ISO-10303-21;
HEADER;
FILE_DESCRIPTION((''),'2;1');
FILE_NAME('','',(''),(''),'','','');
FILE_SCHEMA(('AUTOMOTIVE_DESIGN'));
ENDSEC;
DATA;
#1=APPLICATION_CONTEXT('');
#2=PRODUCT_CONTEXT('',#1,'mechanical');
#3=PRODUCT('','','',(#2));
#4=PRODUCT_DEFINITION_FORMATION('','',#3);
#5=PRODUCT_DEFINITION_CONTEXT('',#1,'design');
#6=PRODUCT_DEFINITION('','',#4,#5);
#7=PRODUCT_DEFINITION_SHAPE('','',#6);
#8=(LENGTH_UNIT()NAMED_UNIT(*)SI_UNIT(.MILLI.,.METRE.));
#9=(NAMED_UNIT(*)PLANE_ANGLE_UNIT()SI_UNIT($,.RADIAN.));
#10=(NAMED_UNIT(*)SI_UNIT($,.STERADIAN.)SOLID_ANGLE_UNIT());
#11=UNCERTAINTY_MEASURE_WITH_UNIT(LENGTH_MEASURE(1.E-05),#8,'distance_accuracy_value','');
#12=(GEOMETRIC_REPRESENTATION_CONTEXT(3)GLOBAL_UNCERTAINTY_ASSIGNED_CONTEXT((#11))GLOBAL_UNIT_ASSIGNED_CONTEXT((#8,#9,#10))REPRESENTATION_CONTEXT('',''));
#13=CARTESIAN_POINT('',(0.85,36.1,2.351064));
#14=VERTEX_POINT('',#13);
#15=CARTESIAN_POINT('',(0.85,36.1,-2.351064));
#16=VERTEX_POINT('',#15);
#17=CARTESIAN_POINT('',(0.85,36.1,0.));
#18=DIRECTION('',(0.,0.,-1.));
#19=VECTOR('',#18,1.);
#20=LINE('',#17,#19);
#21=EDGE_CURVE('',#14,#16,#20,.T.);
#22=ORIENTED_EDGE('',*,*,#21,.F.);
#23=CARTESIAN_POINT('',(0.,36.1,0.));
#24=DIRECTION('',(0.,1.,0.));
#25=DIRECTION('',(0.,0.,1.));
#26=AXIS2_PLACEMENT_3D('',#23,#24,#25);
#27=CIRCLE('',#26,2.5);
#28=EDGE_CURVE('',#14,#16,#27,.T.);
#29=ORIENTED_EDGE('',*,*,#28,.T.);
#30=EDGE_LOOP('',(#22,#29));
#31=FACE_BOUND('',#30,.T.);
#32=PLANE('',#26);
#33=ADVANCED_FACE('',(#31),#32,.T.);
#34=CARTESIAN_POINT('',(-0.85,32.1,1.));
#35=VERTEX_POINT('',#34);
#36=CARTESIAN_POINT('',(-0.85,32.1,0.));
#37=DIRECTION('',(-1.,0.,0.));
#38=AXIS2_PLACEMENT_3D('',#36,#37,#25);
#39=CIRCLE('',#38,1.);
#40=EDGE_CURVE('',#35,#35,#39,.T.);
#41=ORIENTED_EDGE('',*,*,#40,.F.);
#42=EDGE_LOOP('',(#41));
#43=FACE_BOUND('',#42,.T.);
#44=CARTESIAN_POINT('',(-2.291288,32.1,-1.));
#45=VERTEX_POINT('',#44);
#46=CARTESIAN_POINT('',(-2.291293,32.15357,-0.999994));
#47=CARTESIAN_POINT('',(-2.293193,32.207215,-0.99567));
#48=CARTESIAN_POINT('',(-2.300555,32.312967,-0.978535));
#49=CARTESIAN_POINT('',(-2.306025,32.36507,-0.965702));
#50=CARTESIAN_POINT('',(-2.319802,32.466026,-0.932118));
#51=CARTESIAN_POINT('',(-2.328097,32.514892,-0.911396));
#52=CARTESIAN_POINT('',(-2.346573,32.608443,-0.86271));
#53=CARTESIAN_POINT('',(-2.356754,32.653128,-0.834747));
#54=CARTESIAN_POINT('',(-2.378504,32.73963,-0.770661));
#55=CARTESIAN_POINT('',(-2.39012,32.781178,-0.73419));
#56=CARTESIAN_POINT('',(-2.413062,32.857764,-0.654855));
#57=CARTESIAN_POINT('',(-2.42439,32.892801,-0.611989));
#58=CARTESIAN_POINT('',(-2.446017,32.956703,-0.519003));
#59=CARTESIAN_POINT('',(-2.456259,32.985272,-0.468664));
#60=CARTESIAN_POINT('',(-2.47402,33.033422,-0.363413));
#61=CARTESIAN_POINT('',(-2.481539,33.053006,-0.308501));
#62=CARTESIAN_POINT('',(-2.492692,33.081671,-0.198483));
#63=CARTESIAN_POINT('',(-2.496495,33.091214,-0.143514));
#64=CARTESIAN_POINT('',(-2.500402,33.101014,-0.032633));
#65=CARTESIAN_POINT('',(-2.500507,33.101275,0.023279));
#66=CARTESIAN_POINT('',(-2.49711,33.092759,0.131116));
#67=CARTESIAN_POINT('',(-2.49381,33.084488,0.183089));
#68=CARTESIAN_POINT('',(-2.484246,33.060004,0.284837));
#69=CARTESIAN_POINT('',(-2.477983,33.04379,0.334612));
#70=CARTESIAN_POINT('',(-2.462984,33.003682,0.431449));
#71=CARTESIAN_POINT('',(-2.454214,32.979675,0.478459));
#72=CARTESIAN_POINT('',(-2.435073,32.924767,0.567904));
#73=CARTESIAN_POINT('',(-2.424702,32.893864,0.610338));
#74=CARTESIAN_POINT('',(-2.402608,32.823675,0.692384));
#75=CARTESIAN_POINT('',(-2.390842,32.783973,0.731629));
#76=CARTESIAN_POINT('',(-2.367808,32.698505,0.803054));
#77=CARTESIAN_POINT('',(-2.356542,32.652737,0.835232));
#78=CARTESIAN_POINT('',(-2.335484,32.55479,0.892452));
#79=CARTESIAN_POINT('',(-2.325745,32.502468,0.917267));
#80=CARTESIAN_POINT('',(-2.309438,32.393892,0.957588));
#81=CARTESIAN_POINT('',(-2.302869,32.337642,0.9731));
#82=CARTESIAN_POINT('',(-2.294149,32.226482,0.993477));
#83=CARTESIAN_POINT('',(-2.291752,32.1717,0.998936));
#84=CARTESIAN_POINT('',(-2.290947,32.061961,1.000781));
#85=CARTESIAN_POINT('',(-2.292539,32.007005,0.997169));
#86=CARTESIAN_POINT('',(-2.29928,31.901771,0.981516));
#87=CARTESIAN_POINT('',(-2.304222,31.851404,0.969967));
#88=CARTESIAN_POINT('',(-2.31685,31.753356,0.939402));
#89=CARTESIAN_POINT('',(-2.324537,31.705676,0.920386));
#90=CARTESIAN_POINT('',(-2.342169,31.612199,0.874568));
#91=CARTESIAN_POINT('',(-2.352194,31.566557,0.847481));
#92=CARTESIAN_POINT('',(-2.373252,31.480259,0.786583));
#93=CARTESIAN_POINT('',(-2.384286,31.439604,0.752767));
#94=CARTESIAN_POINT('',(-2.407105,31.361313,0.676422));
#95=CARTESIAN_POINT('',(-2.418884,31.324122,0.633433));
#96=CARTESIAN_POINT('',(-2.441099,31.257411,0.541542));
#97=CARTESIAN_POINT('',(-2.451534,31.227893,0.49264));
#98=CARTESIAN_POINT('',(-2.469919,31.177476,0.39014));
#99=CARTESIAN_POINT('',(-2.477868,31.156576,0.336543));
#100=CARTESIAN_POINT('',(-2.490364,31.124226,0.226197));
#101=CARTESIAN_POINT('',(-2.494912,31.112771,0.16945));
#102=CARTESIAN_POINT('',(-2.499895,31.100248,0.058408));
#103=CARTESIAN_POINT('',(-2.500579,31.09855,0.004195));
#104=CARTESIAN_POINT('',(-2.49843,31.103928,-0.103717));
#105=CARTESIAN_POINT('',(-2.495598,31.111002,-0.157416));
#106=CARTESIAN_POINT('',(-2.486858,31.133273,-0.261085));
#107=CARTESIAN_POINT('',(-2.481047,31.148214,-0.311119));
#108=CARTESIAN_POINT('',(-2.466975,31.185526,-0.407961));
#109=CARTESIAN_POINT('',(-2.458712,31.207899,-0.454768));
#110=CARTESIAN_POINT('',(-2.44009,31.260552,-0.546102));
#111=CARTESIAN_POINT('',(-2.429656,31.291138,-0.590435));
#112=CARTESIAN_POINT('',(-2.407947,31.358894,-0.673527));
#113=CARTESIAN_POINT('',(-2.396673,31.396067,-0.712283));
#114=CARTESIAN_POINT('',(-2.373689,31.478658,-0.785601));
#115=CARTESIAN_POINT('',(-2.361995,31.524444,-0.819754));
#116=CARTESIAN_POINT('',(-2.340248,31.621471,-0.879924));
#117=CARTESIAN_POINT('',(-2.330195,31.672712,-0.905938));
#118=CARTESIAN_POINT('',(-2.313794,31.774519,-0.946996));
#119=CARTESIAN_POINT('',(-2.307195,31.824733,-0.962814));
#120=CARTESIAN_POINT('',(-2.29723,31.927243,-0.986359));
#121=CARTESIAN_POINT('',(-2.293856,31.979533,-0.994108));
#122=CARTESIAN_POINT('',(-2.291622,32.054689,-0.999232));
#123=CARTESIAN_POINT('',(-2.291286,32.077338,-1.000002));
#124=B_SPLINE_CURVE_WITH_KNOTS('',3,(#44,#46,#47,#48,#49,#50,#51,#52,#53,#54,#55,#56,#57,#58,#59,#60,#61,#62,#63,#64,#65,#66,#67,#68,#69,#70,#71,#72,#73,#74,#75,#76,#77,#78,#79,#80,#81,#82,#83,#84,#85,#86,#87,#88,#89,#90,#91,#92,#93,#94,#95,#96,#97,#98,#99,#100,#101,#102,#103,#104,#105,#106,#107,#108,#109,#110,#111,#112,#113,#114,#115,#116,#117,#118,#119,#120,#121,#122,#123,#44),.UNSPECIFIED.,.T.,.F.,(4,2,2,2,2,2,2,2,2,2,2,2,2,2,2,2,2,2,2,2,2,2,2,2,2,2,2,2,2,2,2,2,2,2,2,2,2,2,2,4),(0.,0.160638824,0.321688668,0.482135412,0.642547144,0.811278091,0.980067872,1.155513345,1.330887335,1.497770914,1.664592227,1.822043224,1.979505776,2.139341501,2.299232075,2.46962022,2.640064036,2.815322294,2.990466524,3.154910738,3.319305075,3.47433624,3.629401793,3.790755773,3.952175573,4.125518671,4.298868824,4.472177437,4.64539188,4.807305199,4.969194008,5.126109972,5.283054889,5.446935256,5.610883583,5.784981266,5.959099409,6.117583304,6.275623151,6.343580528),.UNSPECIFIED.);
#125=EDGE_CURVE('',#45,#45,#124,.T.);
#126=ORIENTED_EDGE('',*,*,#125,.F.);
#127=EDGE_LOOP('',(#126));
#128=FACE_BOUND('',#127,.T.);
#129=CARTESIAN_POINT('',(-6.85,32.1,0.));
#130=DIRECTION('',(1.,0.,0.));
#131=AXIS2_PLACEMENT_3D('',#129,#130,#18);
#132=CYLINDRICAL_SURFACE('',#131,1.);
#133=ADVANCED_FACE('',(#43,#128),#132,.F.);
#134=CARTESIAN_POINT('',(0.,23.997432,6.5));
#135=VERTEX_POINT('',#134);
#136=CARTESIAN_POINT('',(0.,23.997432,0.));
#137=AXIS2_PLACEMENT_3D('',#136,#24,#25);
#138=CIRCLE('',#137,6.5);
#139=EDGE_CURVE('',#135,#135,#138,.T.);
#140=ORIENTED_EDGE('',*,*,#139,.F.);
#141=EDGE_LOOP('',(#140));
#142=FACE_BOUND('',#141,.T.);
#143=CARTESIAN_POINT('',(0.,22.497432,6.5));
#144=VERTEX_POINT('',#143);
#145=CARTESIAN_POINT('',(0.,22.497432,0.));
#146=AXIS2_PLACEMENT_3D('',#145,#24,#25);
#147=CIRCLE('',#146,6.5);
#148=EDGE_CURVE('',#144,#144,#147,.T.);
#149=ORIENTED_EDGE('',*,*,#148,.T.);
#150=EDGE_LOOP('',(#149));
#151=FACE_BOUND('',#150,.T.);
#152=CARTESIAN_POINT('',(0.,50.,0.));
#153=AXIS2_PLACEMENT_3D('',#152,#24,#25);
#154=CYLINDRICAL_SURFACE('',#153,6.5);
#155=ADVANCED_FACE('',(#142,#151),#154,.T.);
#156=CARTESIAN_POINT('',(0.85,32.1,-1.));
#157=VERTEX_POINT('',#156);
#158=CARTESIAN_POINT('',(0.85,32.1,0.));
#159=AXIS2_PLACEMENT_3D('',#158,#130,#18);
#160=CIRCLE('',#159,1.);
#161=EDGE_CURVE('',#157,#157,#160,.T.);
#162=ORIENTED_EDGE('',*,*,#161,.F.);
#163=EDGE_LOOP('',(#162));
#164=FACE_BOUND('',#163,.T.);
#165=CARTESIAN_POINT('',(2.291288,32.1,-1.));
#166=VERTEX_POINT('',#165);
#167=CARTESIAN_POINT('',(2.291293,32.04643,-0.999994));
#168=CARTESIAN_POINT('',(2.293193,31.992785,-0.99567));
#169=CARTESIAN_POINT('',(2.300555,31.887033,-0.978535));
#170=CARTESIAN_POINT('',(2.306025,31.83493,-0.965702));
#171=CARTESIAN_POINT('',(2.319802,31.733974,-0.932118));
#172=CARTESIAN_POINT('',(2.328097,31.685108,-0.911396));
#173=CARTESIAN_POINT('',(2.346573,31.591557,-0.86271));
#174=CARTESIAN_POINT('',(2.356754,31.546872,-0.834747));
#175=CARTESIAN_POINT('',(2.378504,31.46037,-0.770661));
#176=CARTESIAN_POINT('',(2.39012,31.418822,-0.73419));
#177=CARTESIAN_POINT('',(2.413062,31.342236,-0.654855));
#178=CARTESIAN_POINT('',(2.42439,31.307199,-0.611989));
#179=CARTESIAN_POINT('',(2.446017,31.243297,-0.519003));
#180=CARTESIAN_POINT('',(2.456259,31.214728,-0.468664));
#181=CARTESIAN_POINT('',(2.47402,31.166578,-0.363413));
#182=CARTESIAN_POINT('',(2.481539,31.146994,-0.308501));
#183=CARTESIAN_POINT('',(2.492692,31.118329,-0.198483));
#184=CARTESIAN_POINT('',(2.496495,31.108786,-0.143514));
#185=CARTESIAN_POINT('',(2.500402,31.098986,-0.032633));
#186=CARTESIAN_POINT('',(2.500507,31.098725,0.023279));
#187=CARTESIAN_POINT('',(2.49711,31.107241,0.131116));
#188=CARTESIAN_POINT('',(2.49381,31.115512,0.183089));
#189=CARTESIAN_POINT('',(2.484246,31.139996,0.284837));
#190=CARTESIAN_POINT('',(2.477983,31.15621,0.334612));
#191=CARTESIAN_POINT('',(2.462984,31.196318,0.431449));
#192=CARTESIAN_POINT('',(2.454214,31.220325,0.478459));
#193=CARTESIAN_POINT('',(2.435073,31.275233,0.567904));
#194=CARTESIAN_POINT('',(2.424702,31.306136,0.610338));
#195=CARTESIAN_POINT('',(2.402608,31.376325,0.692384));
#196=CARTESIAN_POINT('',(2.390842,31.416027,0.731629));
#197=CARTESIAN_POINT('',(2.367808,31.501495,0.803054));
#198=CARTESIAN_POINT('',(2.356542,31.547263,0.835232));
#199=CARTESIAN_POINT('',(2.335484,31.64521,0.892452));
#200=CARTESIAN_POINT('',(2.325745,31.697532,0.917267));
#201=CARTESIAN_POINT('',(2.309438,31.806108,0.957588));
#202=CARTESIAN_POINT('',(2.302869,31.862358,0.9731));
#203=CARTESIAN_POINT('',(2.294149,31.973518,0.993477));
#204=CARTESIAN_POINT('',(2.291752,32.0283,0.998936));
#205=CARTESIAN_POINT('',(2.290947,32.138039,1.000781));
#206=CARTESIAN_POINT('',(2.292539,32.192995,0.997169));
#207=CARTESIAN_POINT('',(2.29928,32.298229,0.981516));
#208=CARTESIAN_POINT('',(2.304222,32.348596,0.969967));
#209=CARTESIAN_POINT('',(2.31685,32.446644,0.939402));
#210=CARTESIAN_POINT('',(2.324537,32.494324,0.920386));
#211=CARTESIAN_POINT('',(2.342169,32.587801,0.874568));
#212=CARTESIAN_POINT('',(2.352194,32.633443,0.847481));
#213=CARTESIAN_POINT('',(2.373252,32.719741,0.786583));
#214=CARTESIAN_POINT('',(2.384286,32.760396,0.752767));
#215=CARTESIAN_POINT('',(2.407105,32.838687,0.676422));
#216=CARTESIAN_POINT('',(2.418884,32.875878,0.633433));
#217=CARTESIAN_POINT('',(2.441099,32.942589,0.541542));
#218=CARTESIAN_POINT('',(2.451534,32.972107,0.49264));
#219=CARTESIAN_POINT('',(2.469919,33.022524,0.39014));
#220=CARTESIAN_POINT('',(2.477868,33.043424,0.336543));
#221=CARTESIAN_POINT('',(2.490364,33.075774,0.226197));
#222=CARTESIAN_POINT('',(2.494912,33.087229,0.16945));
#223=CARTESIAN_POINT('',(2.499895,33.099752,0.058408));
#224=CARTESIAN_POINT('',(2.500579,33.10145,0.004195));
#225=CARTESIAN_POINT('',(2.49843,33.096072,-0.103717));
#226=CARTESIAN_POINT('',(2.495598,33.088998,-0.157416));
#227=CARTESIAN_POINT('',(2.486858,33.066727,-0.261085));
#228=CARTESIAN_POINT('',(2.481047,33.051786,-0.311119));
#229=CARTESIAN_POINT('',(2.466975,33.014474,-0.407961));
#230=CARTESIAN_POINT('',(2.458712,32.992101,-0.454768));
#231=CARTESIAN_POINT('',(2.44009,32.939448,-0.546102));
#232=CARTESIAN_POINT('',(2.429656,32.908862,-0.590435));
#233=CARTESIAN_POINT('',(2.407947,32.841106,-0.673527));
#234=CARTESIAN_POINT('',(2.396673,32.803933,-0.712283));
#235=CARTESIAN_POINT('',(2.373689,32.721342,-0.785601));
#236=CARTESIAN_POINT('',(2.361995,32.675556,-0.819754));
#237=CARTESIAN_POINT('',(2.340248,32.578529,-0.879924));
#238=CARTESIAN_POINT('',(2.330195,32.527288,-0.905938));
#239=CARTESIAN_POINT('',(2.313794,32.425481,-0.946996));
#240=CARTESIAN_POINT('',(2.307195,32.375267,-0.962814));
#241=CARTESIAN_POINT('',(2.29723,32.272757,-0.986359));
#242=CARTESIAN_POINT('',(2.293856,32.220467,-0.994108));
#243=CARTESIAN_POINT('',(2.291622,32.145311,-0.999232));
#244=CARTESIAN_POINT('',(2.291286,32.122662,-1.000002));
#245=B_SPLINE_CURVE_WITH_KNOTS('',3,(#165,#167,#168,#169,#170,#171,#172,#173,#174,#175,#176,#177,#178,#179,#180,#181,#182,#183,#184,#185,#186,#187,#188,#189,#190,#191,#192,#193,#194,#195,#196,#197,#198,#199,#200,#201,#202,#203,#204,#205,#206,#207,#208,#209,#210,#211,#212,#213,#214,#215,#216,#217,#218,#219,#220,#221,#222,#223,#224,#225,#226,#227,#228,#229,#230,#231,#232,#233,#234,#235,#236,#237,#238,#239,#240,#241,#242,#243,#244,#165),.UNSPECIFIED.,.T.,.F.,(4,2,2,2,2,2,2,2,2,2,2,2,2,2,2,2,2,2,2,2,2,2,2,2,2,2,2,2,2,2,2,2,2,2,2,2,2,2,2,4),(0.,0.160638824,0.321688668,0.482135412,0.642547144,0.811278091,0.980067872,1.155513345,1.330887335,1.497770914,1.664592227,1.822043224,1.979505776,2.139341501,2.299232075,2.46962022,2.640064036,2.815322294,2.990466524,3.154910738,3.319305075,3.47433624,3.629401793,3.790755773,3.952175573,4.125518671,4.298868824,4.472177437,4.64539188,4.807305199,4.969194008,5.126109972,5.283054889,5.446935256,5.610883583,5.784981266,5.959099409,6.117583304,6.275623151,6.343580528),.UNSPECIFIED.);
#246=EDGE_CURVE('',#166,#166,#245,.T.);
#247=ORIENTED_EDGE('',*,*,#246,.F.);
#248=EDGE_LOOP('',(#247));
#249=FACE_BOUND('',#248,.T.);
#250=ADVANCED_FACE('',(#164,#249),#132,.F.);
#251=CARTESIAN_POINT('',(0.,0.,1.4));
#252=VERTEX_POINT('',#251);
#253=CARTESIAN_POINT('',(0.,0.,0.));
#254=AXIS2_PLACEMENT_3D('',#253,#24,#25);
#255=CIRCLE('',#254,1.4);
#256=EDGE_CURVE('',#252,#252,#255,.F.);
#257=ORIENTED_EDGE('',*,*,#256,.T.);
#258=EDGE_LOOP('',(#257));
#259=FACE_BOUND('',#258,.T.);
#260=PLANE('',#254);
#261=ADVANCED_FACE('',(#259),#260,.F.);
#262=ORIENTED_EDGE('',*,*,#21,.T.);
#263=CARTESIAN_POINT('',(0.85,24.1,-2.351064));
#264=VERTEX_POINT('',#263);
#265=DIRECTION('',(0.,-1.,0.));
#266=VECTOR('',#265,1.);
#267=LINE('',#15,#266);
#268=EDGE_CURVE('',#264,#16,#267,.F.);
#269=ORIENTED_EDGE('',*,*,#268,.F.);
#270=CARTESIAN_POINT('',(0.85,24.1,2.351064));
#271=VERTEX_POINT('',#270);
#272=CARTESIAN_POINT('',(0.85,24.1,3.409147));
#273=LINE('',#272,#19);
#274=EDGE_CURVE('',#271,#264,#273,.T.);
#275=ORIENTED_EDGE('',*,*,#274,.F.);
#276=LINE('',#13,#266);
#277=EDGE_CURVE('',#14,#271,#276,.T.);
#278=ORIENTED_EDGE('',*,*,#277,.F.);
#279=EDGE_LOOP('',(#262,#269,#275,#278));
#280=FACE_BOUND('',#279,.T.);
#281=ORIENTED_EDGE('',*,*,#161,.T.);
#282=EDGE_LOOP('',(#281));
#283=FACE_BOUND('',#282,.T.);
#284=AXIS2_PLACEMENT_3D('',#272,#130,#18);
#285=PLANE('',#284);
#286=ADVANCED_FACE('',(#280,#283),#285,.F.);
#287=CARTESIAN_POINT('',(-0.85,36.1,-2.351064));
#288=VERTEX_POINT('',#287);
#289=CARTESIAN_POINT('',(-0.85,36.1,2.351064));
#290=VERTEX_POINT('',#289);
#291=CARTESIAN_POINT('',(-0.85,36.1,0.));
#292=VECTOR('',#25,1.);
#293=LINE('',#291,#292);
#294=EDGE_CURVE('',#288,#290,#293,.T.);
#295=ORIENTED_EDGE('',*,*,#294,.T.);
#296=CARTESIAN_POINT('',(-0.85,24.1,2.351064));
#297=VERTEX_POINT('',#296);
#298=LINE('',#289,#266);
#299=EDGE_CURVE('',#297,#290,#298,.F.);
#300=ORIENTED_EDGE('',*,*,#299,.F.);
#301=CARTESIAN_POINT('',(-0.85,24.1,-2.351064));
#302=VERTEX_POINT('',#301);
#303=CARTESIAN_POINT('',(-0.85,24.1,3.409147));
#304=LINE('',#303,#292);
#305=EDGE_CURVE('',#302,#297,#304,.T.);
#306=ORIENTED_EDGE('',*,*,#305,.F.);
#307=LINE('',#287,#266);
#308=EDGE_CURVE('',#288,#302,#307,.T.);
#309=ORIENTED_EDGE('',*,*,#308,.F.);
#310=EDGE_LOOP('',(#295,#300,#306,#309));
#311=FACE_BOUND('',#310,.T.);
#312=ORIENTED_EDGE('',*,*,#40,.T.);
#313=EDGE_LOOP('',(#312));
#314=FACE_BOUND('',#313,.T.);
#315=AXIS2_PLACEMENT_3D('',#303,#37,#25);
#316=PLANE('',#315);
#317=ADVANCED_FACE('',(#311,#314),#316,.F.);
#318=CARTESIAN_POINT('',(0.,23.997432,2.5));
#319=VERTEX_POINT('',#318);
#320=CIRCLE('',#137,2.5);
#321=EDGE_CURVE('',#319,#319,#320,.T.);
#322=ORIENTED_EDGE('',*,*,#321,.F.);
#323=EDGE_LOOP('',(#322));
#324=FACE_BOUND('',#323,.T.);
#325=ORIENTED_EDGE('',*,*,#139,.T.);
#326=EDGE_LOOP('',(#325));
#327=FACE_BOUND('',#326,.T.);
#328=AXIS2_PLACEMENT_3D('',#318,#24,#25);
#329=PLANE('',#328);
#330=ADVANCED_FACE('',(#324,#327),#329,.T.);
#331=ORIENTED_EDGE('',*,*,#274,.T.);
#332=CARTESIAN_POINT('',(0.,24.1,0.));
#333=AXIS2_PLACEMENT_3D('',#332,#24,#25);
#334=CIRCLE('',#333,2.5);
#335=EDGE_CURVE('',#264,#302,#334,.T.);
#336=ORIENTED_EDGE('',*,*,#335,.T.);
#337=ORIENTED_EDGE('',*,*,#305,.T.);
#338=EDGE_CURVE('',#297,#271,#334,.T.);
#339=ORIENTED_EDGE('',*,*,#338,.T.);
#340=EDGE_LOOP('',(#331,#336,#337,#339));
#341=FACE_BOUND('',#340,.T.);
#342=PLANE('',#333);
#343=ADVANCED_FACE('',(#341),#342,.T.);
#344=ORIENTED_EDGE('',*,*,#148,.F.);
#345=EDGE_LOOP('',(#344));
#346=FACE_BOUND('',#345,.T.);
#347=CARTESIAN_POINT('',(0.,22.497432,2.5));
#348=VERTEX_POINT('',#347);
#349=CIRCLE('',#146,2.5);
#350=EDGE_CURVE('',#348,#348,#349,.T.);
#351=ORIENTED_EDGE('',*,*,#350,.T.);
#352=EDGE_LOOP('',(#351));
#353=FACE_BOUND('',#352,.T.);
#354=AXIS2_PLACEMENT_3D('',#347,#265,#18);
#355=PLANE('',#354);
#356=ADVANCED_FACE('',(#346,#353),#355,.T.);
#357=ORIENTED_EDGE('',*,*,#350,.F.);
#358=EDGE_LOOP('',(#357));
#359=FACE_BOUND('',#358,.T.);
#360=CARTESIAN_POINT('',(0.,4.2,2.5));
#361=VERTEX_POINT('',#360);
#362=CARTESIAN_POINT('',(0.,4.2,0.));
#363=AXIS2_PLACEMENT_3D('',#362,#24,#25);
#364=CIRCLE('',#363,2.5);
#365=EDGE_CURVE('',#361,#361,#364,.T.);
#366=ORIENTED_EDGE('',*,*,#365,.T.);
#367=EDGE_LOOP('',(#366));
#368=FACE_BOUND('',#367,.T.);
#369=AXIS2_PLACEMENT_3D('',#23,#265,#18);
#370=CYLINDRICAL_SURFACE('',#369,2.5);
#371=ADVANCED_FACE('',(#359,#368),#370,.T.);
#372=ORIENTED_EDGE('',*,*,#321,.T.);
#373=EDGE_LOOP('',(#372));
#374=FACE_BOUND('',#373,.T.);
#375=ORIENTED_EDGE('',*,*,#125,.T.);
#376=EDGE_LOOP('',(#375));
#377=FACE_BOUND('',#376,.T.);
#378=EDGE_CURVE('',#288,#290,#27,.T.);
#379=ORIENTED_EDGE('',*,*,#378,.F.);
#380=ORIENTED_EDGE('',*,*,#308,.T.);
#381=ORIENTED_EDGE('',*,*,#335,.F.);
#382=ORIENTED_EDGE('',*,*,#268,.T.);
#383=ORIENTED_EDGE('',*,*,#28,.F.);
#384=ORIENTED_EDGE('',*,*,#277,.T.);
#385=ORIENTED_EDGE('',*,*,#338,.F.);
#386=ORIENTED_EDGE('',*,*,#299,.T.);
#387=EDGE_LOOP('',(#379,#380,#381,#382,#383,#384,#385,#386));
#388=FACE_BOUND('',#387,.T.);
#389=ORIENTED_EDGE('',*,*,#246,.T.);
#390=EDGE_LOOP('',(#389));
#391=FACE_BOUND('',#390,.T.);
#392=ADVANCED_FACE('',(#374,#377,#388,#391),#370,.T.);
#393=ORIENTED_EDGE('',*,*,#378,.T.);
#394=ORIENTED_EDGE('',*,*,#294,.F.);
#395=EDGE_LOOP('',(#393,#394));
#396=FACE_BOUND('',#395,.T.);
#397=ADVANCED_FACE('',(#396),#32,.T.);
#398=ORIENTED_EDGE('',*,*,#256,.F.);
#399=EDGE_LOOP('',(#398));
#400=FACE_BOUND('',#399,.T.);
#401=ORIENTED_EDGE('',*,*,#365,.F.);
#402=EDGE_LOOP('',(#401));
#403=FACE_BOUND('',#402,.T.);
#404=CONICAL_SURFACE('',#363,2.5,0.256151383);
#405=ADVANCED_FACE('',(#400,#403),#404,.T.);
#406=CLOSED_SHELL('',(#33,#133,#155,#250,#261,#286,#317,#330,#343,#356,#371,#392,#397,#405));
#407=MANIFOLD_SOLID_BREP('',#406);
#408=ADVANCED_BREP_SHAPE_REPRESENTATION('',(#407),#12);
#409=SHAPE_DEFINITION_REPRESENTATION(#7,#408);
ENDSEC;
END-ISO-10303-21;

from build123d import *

# Parameters (mm, degrees)
SKETCH1_R           = 2.5
BOSS_EXTRUDE1_DEPTH = 36.1
SKETCH2_W           = 1.7
SKETCH2_H           = 6.818294784
CUT_EXTRUDE1_DEPTH  = 12
SKETCH3_R           = 1
CUT_EXTRUDE2_DEPTH  = 6
CHAMFER1_SIZE       = 1.1
CHAMFER1_SIZE2      = 4.2
SKETCH5_W           = 4
SKETCH5_H           = 1.5


with BuildPart() as part:
    # Sketch1 → Boss-Extrude1 (new body)
    with BuildSketch(Plane(origin=(0, 0, 0), x_dir=(1, 0, 0), z_dir=(0, 1, 0))):
        with Locations(Location((0, 0, 0), (0, 0, 270))):
            Circle(SKETCH1_R)
    extrude(amount=BOSS_EXTRUDE1_DEPTH)

    # Sketch2 → Cut-Extrude1 (cut)
    with BuildSketch(Plane(origin=(0, 36.1, 0), x_dir=(1, 0, 0), z_dir=(0, 1, 0))):
        Rectangle(SKETCH2_W, SKETCH2_H)
    extrude(amount=-CUT_EXTRUDE1_DEPTH, mode=Mode.SUBTRACT)

    # Sketch3 → Cut-Extrude2 (cut, symmetric)
    with BuildSketch(Plane(origin=(-0.85, 0, 0), x_dir=(0, 0, -1), z_dir=(1, 0, 0))):
        with Locations((0, 32.1)):
            Circle(SKETCH3_R)
    extrude(amount=CUT_EXTRUDE2_DEPTH, both=True, mode=Mode.SUBTRACT)

    # Chamfer1
    chamfer1_edges = [part.edges().sort_by_distance(p)[0] for p in [
        (0, 0, -2.5),
    ]]
    chamfer1_side = [part.faces().sort_by_distance(p)[0] for p in [
        (0, 0, 0),
    ]]
    chamfer(chamfer1_edges, length=CHAMFER1_SIZE, length2=CHAMFER1_SIZE2, reference=chamfer1_side[0])

    # Sketch5 → Revolve1 (revolve)
    with BuildSketch(Plane(origin=(0, 0, 0), x_dir=(0, 0, -1), z_dir=(1, 0, 0))):
        with Locations((-4.5, 23.247432375)):
            Rectangle(SKETCH5_W, SKETCH5_H)
    revolve(axis=Axis((0, 50, 0), (0, -1, 0)))


solid = part.part
